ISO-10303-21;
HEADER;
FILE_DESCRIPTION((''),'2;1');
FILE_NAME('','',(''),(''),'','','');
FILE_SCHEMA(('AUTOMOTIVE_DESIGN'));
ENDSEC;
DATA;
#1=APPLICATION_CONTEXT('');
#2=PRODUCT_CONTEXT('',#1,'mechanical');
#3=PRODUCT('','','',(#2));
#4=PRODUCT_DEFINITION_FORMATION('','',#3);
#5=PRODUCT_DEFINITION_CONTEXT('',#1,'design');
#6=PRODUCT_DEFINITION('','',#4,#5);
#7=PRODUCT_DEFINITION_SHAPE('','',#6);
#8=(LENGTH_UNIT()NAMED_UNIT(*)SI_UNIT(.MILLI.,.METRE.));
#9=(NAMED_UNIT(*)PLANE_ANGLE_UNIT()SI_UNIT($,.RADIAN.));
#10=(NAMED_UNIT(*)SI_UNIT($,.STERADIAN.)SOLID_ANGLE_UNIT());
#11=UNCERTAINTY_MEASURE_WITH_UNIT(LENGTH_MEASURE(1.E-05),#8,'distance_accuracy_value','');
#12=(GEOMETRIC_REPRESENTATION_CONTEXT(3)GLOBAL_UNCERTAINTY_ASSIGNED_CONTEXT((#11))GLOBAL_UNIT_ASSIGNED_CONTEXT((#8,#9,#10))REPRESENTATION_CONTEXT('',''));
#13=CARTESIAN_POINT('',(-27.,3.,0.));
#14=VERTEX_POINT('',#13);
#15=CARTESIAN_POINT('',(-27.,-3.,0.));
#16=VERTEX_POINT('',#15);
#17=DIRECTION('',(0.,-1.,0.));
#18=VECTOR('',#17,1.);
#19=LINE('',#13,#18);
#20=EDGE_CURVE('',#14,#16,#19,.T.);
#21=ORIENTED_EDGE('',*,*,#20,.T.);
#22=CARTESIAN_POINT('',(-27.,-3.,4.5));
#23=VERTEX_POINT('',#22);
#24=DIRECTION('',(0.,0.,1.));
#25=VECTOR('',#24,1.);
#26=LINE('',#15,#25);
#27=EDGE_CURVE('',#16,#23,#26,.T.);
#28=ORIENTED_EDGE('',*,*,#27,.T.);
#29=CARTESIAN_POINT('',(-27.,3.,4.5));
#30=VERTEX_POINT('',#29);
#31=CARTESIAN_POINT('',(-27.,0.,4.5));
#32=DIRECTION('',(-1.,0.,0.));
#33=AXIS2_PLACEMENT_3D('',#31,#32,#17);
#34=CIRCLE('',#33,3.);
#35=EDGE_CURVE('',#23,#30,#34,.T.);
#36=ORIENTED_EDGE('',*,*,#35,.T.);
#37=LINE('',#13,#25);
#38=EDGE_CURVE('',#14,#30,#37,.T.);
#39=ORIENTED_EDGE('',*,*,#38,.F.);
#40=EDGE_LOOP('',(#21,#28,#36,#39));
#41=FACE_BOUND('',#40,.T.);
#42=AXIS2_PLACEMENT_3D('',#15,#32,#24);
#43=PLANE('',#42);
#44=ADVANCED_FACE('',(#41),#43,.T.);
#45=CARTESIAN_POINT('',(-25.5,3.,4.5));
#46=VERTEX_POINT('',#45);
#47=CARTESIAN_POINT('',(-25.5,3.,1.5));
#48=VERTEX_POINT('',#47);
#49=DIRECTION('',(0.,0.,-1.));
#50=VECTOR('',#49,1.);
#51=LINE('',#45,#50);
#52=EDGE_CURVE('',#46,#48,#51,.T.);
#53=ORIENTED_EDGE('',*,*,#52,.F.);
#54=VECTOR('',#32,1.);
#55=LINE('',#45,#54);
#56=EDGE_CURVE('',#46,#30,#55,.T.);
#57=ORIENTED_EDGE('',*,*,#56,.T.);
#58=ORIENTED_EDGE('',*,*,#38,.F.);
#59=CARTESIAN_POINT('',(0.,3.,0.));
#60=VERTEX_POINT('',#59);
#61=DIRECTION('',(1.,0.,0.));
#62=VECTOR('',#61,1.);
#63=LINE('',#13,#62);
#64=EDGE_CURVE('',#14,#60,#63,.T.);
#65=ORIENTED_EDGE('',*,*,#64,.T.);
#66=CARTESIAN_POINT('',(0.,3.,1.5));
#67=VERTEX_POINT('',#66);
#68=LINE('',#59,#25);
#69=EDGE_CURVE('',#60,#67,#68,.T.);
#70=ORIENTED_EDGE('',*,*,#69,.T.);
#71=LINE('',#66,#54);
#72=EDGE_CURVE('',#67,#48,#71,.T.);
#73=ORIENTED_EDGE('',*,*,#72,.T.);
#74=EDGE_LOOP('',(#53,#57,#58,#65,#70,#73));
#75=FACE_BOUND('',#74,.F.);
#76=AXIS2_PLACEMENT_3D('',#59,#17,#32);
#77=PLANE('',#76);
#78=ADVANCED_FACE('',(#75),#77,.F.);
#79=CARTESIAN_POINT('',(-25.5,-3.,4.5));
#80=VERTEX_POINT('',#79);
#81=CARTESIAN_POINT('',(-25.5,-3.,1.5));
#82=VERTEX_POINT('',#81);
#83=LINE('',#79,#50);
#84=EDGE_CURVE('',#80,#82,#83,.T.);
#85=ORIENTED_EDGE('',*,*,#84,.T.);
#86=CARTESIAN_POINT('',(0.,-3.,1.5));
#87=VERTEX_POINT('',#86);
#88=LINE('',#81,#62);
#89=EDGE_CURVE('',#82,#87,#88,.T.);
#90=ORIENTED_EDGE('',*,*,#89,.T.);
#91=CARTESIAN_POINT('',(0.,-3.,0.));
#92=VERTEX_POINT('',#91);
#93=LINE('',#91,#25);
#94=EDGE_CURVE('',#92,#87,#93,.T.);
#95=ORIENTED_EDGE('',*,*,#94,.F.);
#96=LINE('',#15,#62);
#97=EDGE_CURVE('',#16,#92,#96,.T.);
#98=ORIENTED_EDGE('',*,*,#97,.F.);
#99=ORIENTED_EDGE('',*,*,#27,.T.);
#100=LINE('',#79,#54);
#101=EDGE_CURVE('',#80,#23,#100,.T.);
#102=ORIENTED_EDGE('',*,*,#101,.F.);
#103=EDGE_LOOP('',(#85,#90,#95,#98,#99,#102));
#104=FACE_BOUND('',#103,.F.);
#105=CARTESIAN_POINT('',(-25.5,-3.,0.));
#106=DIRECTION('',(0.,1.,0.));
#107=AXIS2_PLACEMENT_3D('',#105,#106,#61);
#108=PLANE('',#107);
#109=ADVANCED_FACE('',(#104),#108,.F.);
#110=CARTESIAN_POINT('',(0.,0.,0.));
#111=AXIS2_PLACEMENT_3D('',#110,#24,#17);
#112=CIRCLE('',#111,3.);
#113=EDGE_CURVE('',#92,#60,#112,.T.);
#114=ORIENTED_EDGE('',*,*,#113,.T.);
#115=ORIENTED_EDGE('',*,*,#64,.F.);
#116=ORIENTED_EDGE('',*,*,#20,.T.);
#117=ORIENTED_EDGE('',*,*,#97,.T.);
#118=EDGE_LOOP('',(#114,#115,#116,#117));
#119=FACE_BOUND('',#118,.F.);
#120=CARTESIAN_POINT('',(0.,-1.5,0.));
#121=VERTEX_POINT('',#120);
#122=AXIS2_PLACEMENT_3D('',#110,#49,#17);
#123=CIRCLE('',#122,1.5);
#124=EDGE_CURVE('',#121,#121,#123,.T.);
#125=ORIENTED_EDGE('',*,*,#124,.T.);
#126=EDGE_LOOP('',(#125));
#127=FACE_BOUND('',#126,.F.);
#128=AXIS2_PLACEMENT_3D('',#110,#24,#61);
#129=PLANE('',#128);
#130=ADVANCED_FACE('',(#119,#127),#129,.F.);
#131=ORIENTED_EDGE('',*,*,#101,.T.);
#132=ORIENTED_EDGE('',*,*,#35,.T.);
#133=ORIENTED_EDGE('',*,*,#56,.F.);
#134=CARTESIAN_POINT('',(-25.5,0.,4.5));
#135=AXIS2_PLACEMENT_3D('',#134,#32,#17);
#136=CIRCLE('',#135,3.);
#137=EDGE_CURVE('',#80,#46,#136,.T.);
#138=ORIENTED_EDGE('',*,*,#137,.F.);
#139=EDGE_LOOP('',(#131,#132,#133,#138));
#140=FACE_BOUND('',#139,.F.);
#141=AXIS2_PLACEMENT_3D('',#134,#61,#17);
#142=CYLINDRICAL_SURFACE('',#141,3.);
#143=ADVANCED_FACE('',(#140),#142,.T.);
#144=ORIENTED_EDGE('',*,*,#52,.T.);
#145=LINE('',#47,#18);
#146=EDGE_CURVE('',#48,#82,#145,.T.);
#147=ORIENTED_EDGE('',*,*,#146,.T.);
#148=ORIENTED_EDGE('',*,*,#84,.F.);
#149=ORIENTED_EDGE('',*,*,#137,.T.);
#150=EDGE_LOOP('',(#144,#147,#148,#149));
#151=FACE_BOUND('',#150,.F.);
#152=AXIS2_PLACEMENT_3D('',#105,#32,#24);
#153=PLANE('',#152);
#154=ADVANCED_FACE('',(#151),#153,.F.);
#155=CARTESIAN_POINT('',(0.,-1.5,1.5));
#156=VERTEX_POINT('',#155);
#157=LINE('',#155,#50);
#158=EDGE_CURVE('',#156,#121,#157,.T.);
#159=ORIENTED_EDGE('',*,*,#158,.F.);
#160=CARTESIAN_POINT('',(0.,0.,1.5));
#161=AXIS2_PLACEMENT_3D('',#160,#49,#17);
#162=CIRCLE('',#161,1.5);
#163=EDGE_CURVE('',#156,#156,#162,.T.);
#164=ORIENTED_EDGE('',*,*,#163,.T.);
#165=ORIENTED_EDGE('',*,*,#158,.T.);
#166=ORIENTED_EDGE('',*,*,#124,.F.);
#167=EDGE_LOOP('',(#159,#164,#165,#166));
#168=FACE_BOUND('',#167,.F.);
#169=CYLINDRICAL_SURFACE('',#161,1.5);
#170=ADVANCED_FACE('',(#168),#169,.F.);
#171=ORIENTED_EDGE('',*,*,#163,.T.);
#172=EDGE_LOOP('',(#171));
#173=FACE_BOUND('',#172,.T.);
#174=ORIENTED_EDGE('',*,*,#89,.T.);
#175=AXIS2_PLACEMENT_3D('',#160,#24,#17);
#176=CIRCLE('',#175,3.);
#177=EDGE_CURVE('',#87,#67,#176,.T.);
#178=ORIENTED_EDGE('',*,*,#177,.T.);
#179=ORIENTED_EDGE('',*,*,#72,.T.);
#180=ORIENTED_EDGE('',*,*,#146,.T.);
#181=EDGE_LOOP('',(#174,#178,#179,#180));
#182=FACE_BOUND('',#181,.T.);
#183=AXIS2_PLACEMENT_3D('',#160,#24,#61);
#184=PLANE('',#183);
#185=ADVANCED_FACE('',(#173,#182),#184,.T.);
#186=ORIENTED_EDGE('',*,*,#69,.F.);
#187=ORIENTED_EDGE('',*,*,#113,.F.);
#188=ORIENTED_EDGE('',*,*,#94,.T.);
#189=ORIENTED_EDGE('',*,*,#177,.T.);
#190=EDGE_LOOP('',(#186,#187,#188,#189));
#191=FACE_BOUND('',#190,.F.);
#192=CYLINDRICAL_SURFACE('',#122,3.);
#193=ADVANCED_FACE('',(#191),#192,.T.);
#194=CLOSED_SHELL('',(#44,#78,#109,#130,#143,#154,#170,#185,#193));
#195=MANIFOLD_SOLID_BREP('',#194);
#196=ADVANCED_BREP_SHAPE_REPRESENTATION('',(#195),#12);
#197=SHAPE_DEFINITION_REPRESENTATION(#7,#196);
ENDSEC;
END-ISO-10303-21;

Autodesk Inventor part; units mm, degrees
ref_plane "YZ Plane" through (0, 0, 0) normal (1, 0, 0) x (0, 1, 0)
ref_plane "XZ Plane" through (0, 0, 0) normal (0, 1, 0) x (-1, 0, 0)
ref_plane "XY Plane" through (0, 0, 0) normal (0, 0, 1) x (1, 0, 0)
sketch "Skizze1" plane through (0, 0, 0) normal (0, 0, 1) x (1, 0, 0)
  arc A0 (0, -3) -> (0, 3) centre (0, 0) ccw
  line L0 (0, 3) -> (-25.5, 3)
  line L1 (-25.5, 3) -> (-25.5, -3)
  line L2 (-25.5, -3) -> (0, -3)
  dimension "d0" = 3
  dimension "d1" = 25.5
extrude "Extrusion1" add sketch "Skizze1" along normal blind 1.5
sketch "Skizze3" plane through (-25.5, -3, 0) normal (-1, 0, 0) x (0, 0, 1)
  line L0 (0, 6) -> (0, 0) projected
  line L1 (0, 0) -> (1.5, 0) projected
  line L2 (1.5, 6) -> (1.5, 0) projected
  line L3 (0, 6) -> (1.5, 6) projected
  line L4 (0, 6) -> (4.5, 6)
  arc A0 (4.5, 0) -> (4.5, 6) centre (4.5, 3) ccw
  line L5 (4.5, 0) -> (0, 0)
  point P0 (0, 3)
  point P1 (7.5, 3)
  dimension "d4" = 7.5
extrude "Extrusion2" add sketch "Skizze3" along normal blind 1.5
sketch "Skizze4" plane through (0, 0, 1.5) normal (0, 0, 1) x (1, 0, 0)
  arc A0 (0, -3) -> (0, 3) centre (0, 0) ccw projected
hole "Bohrung1" at (0, 0, 1.5) direction (0, 0, -1) diameter 3 depth 1.5
properties part number "1 part 11"
